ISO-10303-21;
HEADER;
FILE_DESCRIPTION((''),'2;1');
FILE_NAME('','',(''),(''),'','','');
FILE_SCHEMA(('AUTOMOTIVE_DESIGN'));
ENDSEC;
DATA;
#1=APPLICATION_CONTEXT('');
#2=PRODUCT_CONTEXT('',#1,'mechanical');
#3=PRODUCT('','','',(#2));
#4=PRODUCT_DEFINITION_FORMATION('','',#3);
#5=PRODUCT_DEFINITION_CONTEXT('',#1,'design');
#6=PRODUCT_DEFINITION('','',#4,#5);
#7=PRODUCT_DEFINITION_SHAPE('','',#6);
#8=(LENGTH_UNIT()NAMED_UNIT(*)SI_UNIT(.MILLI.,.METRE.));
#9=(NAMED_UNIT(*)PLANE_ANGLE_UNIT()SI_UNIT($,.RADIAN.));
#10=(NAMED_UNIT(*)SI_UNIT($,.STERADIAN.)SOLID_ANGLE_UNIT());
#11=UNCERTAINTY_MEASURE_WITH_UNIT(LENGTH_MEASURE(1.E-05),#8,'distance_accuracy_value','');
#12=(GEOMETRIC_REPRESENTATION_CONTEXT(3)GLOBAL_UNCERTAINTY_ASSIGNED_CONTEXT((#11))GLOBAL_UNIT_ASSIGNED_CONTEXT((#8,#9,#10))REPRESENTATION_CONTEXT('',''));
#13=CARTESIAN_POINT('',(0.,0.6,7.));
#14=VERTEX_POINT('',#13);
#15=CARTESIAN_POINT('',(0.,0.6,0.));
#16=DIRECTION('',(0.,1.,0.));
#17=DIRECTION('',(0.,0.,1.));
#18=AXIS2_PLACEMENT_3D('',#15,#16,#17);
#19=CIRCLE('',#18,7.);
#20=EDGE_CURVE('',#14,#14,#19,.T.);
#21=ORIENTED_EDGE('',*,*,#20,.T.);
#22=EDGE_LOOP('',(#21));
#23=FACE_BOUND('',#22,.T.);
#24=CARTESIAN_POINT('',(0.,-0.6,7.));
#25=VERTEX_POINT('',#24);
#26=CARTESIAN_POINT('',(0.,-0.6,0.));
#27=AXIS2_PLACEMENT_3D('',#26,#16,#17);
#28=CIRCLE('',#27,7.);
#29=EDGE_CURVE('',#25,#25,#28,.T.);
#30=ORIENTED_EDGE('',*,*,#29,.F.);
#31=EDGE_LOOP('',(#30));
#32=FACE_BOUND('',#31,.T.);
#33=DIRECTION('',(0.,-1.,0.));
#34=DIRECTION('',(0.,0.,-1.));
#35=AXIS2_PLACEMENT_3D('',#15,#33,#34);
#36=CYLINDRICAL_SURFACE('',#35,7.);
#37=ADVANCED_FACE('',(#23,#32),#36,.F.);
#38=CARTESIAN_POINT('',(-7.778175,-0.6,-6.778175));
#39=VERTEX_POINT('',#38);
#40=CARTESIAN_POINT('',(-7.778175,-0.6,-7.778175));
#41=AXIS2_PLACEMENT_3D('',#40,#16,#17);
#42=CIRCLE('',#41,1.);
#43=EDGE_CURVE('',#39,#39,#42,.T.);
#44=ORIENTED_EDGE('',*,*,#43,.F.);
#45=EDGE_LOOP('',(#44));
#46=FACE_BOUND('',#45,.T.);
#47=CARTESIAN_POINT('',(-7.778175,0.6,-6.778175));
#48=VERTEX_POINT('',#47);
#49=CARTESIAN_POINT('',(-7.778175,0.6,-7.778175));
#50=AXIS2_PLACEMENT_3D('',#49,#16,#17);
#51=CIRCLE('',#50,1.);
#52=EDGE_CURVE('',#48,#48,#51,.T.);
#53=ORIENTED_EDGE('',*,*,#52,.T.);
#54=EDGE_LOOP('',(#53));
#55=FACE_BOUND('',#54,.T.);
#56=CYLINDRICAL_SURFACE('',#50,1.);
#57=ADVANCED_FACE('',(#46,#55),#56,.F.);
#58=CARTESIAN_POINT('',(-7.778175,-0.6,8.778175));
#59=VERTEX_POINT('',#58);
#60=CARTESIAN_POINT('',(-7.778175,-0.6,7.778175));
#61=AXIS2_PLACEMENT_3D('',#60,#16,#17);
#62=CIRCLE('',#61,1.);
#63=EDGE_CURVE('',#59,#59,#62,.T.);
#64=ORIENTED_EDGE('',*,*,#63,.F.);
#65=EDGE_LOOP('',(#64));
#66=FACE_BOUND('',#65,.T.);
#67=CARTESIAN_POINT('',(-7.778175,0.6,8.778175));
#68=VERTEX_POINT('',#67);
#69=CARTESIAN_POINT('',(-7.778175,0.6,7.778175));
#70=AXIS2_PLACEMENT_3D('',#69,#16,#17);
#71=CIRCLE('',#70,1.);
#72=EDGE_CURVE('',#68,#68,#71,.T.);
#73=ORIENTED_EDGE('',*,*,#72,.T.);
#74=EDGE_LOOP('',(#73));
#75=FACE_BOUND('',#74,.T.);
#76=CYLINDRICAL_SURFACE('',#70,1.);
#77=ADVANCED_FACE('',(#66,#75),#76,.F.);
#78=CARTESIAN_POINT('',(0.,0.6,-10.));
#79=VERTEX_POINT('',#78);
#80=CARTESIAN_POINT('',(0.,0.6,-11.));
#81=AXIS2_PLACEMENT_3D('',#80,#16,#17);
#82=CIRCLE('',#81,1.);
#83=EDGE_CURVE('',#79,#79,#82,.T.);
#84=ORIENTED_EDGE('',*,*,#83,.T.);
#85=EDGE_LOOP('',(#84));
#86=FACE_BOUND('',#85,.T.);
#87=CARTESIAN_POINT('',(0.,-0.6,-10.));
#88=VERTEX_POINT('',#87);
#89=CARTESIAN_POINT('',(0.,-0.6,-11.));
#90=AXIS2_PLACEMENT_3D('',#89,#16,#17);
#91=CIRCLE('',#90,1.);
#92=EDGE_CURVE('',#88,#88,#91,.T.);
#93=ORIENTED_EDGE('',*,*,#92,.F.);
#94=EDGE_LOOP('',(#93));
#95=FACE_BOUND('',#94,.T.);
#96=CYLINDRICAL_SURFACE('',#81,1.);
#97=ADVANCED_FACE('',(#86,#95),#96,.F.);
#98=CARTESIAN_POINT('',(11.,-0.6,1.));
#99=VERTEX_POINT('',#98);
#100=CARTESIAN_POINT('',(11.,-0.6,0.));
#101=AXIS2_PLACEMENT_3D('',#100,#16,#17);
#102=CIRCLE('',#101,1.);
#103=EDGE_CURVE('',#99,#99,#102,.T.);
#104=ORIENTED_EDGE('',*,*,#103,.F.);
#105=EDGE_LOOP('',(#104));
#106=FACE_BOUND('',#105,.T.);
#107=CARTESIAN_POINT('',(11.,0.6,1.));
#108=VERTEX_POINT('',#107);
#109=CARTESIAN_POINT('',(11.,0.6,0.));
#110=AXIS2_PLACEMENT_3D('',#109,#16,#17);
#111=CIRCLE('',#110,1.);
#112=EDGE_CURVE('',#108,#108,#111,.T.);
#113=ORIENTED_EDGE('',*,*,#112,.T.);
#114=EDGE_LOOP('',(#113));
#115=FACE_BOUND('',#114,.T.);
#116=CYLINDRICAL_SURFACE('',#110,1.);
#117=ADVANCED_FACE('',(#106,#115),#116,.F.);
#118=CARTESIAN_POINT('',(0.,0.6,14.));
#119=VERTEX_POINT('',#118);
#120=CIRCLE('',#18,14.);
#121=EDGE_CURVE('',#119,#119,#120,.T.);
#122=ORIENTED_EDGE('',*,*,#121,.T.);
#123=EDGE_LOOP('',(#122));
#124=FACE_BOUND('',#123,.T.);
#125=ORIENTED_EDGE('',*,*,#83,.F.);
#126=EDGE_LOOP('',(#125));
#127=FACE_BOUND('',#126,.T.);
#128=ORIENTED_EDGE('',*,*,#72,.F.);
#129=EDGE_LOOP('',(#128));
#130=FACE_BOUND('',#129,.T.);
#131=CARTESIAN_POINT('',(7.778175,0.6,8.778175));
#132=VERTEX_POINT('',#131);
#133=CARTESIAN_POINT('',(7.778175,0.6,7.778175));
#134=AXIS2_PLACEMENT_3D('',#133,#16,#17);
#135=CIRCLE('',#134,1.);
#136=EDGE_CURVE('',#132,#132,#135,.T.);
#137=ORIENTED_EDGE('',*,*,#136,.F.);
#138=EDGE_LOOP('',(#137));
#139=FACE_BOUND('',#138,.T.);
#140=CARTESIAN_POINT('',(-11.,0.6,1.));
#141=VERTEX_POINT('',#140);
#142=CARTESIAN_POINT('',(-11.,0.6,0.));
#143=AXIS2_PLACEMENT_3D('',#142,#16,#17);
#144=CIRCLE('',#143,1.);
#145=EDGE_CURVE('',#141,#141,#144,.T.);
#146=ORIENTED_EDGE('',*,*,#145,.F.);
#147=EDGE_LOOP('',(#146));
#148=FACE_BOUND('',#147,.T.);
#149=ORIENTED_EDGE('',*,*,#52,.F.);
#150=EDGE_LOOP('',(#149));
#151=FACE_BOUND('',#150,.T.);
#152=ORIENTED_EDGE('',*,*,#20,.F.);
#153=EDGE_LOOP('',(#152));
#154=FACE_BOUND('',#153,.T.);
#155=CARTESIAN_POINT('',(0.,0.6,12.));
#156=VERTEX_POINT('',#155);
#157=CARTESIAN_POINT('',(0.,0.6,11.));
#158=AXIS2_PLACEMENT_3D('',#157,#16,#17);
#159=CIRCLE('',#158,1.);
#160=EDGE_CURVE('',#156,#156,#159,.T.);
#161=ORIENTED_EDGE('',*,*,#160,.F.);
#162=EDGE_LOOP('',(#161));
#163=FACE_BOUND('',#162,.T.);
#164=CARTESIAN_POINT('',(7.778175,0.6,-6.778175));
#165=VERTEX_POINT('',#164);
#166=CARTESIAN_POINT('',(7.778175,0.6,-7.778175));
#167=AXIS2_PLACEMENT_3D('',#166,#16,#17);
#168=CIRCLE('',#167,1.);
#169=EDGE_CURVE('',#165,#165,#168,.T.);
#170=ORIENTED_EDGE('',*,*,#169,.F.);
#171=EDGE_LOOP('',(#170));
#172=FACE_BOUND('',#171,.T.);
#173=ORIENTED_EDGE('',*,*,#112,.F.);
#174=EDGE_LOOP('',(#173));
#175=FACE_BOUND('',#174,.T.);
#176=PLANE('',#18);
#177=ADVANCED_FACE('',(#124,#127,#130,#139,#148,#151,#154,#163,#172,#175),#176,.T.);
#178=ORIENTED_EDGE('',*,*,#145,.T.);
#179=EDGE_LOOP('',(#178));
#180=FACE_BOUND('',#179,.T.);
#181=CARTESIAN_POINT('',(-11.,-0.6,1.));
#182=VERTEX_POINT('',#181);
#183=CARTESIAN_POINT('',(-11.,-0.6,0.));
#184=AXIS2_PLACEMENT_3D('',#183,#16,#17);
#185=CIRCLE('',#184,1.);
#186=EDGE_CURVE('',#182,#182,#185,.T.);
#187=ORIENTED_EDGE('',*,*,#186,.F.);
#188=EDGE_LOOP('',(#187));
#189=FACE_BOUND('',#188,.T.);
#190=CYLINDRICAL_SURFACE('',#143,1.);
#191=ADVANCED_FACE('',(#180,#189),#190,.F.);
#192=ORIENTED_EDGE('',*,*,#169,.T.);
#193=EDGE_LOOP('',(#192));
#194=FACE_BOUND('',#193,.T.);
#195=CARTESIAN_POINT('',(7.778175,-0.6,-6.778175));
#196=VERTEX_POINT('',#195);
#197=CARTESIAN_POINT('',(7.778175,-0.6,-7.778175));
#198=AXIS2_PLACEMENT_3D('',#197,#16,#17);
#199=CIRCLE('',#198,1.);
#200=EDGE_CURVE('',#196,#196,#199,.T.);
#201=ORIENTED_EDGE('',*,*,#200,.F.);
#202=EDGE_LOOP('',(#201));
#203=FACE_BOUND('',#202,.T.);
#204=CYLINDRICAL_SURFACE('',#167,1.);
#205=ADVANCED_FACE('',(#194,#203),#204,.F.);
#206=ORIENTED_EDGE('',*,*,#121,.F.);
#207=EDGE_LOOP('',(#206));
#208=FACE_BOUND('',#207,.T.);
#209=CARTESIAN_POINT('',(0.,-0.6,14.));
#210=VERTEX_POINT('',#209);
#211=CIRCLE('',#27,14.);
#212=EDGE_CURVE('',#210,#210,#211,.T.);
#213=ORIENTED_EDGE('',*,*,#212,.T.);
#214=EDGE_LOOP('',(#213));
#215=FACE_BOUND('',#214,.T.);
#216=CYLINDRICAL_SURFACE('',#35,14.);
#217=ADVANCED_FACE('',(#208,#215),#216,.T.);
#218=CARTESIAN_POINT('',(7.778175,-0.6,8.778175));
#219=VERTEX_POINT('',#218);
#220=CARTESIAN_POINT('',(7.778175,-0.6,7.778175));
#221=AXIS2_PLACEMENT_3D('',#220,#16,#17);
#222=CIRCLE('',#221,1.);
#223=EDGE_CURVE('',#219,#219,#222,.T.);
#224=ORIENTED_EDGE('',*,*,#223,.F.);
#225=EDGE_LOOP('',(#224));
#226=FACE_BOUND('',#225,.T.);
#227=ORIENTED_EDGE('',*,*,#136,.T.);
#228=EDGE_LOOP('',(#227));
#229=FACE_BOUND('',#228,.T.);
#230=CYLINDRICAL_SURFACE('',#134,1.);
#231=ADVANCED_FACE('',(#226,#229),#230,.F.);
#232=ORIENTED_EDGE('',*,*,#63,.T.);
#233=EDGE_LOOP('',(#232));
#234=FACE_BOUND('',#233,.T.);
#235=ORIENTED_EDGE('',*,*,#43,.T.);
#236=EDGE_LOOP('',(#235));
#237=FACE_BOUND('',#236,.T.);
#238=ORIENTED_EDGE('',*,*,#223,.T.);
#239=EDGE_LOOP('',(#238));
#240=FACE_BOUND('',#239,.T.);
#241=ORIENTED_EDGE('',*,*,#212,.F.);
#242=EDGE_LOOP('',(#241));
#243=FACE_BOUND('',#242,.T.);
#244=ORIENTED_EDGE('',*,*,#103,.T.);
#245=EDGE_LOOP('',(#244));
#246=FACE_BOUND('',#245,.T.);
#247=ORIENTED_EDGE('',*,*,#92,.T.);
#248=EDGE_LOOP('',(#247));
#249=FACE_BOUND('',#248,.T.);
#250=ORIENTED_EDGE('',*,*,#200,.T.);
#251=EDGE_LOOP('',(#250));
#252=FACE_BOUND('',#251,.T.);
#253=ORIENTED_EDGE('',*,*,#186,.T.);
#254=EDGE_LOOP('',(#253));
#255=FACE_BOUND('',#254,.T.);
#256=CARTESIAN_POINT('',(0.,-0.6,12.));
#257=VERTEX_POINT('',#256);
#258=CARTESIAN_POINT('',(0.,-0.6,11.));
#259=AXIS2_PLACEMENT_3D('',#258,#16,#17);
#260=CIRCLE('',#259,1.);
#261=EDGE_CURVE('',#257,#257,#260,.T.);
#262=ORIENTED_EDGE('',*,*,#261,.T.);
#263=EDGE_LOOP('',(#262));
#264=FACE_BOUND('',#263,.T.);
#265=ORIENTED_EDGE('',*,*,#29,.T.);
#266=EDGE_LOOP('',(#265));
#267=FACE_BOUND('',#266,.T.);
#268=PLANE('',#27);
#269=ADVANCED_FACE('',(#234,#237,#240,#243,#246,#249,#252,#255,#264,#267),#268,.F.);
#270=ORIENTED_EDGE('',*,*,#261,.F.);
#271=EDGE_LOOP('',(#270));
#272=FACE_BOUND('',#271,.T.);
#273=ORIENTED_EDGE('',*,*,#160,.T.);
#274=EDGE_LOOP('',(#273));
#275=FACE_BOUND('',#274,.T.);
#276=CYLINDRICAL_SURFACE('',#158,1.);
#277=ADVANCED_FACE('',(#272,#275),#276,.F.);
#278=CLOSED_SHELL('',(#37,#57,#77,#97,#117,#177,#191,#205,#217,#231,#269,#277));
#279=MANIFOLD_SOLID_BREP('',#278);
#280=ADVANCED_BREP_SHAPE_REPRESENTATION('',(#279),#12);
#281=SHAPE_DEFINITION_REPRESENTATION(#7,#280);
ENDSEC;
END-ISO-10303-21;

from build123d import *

# Parameters (mm, degrees)
SKETCH1_R             = 14
SKETCH1_R_2           = 7
BOSS_EXTRUDE1_DEPTH   = 0.6
F_2_0MM_DOWEL_HOLE1_D = 2
CIRPATTERN1_COUNT     = 8


with BuildPart() as part:
    # Sketch1 → Boss-Extrude1 (new body, symmetric)
    with BuildSketch(Plane(origin=(0, 0, 0), x_dir=(1, 0, 0), z_dir=(0, 1, 0))):
        Circle(SKETCH1_R)
        Circle(SKETCH1_R_2, mode=Mode.SUBTRACT)
    extrude(amount=BOSS_EXTRUDE1_DEPTH, both=True)

    # Ø2.0mm Dowel Hole1 (through all)
    with Locations(Plane(origin=(0, 0.6, 0), x_dir=(1, 0, 0), z_dir=(0, 1, 0))):
        with Locations((0, 11)):
            f_2_0mm_dowel_hole1 = Hole(F_2_0MM_DOWEL_HOLE1_D / 2)

    # CirPattern1: Ø2.0mm Dowel Hole1 ×8 about axis
    cirpattern1_axis = Axis((0, 0, 0), (0, 1, 0))
    for i in range(1, CIRPATTERN1_COUNT):
        add(f_2_0mm_dowel_hole1.rotate(cirpattern1_axis, i * 360 / CIRPATTERN1_COUNT), mode=Mode.SUBTRACT)


solid = part.part
